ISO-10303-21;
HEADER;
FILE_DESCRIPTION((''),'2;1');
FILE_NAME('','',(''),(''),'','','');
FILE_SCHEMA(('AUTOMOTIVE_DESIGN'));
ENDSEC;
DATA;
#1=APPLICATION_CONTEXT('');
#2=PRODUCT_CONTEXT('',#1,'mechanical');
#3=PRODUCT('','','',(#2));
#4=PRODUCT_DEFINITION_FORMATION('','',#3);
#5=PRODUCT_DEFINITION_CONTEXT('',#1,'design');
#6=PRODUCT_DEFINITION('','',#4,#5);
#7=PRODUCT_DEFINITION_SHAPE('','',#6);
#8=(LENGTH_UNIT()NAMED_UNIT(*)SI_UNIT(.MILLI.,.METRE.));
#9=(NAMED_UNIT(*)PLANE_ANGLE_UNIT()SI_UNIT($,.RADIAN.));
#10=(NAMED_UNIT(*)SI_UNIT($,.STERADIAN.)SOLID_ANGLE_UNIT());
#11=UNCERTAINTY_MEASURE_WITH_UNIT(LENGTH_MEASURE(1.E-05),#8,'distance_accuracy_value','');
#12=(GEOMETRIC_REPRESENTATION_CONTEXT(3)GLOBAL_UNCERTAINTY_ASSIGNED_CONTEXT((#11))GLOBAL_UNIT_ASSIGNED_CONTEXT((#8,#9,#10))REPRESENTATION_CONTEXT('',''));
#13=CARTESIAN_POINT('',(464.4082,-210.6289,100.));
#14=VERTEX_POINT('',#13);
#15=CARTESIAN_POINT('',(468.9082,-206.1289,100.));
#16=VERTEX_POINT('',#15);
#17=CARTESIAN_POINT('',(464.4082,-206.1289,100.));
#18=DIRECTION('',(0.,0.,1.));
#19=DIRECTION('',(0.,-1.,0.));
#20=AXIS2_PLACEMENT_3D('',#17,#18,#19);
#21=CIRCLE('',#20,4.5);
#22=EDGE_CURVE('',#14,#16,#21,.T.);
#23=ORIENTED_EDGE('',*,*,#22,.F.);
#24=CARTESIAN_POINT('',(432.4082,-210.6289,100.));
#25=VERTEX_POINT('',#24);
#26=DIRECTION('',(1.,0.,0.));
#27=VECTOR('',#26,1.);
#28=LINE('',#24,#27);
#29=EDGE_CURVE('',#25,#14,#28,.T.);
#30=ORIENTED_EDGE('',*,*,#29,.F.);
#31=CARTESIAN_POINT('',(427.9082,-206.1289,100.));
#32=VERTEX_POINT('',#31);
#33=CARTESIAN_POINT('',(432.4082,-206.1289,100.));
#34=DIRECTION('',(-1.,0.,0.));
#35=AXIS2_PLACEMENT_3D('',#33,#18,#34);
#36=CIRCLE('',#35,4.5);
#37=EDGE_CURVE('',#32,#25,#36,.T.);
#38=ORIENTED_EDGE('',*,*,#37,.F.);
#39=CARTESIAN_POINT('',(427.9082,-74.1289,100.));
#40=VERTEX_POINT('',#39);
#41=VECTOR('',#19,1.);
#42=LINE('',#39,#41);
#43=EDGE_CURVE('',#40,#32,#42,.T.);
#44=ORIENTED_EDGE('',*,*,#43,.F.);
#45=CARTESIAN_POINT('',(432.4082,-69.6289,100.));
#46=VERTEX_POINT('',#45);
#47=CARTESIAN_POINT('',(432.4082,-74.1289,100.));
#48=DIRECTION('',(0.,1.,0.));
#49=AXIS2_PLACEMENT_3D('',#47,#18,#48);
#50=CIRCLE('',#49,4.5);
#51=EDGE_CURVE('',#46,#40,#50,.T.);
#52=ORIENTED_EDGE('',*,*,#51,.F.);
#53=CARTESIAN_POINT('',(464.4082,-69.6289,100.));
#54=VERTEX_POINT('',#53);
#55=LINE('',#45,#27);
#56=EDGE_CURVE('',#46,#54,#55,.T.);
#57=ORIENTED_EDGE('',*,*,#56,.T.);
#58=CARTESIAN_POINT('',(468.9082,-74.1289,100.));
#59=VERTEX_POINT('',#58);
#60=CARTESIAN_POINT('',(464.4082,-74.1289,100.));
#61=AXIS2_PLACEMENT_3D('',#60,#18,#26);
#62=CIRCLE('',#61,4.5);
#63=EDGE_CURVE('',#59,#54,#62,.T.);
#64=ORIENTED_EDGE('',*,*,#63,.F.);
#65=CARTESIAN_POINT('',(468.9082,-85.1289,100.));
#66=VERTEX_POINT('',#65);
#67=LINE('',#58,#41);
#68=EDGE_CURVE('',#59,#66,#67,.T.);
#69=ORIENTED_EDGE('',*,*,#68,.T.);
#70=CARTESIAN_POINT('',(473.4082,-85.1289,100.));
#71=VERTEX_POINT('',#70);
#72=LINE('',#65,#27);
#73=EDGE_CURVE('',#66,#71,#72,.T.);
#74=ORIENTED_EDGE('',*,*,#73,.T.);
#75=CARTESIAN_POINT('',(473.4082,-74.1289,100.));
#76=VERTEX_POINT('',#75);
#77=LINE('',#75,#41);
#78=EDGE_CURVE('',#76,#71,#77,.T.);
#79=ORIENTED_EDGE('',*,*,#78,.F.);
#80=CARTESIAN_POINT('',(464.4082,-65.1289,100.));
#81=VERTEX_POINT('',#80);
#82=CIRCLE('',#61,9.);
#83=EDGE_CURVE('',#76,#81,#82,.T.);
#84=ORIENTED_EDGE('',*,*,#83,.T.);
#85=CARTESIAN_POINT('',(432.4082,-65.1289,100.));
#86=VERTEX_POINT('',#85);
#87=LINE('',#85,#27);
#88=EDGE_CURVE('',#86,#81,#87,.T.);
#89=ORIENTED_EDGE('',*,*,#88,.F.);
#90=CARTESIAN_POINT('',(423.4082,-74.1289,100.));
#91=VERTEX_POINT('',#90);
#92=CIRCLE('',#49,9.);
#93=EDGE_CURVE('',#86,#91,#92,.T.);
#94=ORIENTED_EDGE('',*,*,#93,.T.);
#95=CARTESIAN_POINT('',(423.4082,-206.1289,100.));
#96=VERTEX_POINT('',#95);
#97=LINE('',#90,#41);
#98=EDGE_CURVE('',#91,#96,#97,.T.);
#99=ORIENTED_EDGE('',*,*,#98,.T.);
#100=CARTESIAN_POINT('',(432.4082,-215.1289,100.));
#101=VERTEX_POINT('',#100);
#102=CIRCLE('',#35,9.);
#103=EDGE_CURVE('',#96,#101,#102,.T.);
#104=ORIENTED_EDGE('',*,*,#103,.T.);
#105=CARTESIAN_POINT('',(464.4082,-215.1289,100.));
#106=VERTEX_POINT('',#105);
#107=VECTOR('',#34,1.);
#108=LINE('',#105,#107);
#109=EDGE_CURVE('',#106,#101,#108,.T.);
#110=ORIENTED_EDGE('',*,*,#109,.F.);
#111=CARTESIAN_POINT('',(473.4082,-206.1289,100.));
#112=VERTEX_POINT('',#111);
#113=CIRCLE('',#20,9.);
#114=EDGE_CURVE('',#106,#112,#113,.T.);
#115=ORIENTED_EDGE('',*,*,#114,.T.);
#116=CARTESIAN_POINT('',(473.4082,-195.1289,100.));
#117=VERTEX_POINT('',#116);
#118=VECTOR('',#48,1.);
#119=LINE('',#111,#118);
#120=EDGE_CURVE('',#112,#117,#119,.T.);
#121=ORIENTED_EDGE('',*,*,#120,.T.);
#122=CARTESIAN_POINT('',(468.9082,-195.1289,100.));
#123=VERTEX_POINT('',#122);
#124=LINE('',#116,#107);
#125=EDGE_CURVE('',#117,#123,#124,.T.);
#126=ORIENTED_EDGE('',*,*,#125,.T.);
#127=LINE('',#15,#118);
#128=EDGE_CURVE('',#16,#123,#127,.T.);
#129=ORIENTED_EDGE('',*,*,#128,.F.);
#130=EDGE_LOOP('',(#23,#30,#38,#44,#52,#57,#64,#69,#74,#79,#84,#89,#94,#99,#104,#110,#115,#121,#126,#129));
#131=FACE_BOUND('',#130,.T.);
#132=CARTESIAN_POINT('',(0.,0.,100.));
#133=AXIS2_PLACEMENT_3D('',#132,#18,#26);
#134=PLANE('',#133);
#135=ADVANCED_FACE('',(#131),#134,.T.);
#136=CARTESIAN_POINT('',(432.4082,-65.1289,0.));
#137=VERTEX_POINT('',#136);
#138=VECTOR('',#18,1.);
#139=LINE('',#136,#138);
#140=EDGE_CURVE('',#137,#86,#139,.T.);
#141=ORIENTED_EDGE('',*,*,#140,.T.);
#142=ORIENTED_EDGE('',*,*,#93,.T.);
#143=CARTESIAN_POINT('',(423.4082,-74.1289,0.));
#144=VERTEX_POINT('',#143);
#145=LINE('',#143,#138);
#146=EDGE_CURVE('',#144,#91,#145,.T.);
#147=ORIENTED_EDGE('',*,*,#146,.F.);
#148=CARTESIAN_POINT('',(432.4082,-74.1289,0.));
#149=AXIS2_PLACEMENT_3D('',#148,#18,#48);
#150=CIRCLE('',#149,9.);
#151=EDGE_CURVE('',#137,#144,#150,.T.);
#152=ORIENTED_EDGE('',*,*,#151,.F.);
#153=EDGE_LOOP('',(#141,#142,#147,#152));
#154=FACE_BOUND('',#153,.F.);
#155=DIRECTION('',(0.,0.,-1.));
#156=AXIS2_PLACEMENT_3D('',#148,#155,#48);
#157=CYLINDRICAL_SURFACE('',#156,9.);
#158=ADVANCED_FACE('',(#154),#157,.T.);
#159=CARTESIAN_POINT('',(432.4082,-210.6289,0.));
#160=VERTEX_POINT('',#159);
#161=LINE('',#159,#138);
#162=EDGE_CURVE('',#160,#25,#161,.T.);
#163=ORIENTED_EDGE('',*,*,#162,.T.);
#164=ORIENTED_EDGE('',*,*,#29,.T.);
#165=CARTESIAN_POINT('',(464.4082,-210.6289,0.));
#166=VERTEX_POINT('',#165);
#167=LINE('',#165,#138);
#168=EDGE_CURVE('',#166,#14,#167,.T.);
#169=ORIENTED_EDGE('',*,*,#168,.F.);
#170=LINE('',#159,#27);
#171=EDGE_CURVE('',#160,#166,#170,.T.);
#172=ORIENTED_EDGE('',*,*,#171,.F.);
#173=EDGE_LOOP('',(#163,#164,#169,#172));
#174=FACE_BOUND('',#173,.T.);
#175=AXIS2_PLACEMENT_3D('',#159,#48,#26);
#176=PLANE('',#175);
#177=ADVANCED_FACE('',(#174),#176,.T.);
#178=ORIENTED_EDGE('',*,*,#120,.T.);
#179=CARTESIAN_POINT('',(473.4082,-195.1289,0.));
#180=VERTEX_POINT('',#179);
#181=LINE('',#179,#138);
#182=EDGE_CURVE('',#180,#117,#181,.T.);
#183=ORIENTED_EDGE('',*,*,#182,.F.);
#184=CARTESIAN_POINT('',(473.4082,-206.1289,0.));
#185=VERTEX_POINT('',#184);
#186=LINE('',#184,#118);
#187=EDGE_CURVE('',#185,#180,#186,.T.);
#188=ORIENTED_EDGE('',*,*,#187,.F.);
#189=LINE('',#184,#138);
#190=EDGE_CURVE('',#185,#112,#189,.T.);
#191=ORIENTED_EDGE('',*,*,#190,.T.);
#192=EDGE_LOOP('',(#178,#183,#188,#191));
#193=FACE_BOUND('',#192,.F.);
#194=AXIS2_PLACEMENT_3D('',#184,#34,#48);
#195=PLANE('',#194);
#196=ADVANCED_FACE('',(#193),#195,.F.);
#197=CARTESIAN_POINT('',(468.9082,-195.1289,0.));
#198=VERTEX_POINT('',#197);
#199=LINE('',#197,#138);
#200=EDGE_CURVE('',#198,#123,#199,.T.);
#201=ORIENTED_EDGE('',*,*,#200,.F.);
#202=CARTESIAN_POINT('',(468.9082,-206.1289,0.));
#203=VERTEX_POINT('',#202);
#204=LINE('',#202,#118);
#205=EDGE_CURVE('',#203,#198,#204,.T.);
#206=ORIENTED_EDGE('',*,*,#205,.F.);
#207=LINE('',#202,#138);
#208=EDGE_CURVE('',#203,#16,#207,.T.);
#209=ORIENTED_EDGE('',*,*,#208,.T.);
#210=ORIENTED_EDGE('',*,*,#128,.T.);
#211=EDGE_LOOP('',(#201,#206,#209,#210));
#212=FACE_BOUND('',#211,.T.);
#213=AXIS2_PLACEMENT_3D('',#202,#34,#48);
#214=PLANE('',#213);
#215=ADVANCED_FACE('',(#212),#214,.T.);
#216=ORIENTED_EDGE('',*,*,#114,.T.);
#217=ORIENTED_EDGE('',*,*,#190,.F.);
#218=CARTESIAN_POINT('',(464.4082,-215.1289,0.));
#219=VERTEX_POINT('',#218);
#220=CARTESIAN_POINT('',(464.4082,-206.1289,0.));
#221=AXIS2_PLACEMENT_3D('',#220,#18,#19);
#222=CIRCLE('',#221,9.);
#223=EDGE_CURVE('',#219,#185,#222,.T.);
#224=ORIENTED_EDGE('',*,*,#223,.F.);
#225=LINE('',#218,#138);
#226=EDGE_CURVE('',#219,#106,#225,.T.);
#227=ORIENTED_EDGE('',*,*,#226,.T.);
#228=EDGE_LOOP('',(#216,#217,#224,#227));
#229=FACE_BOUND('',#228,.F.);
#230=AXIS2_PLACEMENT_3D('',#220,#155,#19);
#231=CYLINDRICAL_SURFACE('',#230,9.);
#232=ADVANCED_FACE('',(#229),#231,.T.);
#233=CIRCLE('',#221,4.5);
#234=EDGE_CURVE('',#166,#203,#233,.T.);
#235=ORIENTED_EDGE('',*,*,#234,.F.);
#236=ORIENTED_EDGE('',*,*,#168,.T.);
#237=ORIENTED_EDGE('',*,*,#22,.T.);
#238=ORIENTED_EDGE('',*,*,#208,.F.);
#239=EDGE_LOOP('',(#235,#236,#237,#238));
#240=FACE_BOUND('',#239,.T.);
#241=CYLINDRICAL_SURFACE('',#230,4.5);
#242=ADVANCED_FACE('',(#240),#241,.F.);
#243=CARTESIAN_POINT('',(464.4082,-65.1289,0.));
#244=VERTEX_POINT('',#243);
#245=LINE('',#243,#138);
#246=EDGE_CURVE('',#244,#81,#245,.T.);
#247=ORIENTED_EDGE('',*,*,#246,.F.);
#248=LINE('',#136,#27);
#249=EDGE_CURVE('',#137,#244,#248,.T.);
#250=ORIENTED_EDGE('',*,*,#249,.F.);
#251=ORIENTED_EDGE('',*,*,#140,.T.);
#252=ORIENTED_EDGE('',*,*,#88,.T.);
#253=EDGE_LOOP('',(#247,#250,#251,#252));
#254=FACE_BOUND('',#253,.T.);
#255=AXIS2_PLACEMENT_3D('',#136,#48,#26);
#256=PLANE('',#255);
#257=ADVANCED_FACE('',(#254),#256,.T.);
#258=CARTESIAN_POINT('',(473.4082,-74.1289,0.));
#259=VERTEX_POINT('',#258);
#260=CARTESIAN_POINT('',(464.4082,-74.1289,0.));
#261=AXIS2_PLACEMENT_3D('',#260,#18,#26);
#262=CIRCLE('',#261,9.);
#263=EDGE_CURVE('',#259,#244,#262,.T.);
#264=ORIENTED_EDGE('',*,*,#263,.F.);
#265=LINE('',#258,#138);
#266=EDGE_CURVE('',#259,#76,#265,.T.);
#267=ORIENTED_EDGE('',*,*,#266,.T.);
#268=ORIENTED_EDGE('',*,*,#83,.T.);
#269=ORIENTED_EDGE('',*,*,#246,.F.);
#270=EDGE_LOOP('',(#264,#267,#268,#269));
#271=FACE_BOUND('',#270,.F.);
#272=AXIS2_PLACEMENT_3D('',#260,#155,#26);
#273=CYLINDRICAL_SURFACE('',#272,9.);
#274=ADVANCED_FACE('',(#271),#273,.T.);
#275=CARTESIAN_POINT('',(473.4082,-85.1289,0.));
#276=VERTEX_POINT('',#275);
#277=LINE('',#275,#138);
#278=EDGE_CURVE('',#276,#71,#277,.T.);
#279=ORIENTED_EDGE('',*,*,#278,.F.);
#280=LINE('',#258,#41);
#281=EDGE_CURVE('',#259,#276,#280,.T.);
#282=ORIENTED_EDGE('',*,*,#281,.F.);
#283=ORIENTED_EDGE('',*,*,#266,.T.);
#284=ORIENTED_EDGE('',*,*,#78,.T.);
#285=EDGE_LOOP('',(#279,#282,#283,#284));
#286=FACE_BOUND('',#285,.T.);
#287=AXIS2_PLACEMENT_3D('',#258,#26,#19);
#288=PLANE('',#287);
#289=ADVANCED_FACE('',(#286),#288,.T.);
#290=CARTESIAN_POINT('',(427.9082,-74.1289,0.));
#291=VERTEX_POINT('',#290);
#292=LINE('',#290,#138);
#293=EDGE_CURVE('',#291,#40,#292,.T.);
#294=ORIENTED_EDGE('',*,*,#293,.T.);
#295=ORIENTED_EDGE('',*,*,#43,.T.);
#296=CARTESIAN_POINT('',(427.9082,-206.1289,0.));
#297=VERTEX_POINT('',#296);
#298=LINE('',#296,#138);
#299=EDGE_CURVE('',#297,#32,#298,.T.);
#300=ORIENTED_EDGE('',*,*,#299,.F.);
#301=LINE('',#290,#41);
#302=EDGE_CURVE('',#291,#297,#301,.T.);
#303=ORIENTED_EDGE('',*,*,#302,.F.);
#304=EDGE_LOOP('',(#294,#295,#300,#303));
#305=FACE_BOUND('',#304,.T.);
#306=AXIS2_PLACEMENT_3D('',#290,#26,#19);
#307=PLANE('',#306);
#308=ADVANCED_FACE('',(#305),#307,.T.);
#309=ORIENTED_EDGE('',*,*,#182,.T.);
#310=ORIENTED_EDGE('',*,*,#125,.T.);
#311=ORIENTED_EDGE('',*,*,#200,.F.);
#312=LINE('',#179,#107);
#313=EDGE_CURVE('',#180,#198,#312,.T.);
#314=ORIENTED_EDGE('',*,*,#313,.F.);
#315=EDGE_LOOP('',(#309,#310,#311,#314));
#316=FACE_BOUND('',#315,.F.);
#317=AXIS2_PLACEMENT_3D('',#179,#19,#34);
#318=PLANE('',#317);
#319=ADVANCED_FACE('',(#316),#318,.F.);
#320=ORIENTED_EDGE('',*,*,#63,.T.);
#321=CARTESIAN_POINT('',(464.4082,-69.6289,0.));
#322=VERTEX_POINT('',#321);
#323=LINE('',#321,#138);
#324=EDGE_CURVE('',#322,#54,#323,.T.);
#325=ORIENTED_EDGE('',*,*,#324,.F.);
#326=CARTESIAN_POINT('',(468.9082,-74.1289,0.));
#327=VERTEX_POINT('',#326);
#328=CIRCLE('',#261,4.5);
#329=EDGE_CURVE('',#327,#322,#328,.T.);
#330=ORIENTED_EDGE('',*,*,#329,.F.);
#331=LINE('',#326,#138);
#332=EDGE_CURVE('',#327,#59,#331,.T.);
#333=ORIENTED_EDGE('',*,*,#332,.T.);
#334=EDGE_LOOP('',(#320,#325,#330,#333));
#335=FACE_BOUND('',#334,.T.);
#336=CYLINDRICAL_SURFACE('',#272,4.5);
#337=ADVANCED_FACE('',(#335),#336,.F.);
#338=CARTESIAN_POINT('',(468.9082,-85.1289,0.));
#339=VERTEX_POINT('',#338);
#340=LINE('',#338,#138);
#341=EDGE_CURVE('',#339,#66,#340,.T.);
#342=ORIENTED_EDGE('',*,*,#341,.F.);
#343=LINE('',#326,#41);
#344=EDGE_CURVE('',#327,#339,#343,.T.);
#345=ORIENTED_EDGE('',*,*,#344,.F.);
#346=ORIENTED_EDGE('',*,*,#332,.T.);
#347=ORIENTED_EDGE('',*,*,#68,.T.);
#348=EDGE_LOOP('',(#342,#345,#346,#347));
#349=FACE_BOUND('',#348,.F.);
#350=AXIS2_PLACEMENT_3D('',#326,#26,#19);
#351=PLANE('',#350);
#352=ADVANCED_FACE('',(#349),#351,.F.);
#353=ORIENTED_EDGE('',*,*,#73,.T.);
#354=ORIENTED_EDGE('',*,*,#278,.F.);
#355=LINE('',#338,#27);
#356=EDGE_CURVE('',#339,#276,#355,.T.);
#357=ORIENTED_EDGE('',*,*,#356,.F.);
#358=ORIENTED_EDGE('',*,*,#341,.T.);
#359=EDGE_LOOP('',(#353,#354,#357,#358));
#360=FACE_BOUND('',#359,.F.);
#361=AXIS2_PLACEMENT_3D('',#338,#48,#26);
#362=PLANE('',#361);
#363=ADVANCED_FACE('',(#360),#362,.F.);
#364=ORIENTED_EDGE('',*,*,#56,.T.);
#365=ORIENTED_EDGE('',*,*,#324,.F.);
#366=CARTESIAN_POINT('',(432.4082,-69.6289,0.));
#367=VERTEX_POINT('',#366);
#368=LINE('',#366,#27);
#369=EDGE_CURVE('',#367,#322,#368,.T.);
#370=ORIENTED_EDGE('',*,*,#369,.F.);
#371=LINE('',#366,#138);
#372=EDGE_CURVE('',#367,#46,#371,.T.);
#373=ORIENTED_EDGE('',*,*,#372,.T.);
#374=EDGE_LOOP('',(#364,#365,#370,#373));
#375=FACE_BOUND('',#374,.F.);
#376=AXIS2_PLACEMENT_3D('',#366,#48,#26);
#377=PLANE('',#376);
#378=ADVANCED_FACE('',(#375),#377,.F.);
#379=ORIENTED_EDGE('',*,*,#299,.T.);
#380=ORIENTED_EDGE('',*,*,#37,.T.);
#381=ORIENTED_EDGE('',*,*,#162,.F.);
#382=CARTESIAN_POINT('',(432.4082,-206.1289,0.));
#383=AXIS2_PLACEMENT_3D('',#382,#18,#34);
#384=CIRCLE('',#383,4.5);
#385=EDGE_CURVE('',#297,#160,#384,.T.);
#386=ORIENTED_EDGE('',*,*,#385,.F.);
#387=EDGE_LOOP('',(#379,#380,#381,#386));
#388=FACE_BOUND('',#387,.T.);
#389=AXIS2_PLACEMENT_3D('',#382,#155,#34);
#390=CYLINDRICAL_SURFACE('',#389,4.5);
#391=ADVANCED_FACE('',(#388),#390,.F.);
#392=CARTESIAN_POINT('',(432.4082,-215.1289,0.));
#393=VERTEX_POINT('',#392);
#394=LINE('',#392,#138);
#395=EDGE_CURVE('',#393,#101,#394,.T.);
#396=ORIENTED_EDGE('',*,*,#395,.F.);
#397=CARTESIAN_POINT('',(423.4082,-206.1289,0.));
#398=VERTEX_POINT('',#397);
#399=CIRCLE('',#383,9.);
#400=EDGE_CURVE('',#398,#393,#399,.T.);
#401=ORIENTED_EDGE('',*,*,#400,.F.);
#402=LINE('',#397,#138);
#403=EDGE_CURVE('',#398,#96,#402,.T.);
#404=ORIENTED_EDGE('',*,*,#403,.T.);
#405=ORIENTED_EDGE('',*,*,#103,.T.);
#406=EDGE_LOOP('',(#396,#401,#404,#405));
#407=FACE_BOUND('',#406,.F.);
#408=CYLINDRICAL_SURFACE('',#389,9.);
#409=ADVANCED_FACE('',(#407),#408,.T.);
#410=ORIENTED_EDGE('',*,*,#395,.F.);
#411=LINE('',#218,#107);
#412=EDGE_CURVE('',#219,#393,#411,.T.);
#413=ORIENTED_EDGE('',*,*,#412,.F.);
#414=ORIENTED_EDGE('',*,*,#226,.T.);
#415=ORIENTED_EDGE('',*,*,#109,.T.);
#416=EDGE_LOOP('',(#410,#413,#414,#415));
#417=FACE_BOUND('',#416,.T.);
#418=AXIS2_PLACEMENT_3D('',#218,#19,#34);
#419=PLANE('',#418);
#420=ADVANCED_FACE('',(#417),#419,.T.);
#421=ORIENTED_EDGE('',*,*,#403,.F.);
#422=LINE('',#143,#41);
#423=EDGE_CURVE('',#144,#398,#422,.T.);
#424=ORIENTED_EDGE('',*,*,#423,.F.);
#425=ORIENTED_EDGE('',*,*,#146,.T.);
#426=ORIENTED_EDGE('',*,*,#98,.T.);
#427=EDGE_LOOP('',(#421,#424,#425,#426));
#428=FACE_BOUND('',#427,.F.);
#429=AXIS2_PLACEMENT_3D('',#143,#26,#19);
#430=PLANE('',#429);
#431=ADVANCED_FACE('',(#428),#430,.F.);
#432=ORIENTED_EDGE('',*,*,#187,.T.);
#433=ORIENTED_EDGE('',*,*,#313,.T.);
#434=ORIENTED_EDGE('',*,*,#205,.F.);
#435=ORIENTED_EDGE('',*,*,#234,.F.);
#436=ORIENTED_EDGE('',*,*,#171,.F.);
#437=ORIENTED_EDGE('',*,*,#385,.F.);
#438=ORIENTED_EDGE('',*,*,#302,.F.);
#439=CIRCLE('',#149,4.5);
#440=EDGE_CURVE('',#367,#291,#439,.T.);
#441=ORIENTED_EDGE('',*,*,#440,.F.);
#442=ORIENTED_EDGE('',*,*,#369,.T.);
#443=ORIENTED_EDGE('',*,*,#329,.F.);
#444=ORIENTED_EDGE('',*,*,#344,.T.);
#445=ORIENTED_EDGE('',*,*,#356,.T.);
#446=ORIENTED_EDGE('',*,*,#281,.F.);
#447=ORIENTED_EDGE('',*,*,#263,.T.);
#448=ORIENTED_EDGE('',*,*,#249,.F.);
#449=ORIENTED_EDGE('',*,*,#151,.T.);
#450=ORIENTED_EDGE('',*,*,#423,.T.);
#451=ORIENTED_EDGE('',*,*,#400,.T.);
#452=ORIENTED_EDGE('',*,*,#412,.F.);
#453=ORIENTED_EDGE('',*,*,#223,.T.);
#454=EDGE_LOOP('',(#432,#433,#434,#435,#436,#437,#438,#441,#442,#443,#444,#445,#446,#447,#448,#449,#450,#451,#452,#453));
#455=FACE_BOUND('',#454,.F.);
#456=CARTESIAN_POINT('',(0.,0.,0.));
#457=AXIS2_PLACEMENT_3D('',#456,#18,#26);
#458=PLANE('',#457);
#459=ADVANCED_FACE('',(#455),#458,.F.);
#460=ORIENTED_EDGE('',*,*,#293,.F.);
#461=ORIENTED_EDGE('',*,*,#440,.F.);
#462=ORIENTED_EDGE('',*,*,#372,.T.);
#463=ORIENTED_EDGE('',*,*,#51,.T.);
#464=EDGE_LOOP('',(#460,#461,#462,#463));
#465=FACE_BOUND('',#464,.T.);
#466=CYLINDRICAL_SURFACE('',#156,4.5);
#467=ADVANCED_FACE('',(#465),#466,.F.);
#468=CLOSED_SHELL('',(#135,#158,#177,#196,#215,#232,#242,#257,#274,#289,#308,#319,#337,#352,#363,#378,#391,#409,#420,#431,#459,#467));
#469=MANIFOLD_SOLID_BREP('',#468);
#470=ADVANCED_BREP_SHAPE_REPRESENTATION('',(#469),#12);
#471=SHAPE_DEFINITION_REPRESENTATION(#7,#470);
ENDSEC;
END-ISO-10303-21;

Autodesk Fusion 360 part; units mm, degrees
sketch "スケッチ1" plane through (0, 0, 0) normal (0, 0, 1) x (1, 0, 0)
sketch "スケッチ2" plane through (0, 0, 0) normal (0, 0, 1) x (1, 0, 0)
  line L0 (427.9082, -74.1289) -> (427.9082, -206.1289)
  line L1 (423.4082, -74.1289) -> (423.4082, -206.1289)
  line L2 (464.4082, -215.1289) -> (432.4082, -215.1289)
  line L3 (432.4082, -210.6289) -> (464.4082, -210.6289)
  arc A0 (423.4082, -206.1289) -> (432.4082, -215.1289) centre (432.4082, -206.1289) ccw
  arc A1 (427.9082, -206.1289) -> (432.4082, -210.6289) centre (432.4082, -206.1289) ccw
  arc A2 (464.4082, -215.1289) -> (473.4082, -206.1289) centre (464.4082, -206.1289) ccw
  line L4 (468.9082, -206.1289) -> (468.9082, -195.1289)
  line L5 (473.4082, -206.1289) -> (473.4082, -195.1289)
  arc A3 (464.4082, -210.6289) -> (468.9082, -206.1289) centre (464.4082, -206.1289) ccw
  line L6 (473.4082, -195.1289) -> (468.9082, -195.1289)
  line L7 (432.4082, -69.6289) -> (464.4082, -69.6289)
  line L8 (432.4082, -65.1289) -> (464.4082, -65.1289)
  arc A4 (432.4082, -65.1289) -> (423.4082, -74.1289) centre (432.4082, -74.1289) ccw
  arc A5 (432.4082, -69.6289) -> (427.9082, -74.1289) centre (432.4082, -74.1289) ccw
  arc A6 (473.4082, -74.1289) -> (464.4082, -65.1289) centre (464.4082, -74.1289) ccw
  arc A7 (468.9082, -74.1289) -> (464.4082, -69.6289) centre (464.4082, -74.1289) ccw
  line L9 (468.9082, -85.1289) -> (473.4082, -85.1289)
  line L10 (468.9082, -74.1289) -> (468.9082, -85.1289)
  line L11 (473.4082, -74.1289) -> (473.4082, -85.1289)
  point P0 (423.4082, -65.1289)
extrude "押し出し1" add sketch "スケッチ2" along normal blind 100
